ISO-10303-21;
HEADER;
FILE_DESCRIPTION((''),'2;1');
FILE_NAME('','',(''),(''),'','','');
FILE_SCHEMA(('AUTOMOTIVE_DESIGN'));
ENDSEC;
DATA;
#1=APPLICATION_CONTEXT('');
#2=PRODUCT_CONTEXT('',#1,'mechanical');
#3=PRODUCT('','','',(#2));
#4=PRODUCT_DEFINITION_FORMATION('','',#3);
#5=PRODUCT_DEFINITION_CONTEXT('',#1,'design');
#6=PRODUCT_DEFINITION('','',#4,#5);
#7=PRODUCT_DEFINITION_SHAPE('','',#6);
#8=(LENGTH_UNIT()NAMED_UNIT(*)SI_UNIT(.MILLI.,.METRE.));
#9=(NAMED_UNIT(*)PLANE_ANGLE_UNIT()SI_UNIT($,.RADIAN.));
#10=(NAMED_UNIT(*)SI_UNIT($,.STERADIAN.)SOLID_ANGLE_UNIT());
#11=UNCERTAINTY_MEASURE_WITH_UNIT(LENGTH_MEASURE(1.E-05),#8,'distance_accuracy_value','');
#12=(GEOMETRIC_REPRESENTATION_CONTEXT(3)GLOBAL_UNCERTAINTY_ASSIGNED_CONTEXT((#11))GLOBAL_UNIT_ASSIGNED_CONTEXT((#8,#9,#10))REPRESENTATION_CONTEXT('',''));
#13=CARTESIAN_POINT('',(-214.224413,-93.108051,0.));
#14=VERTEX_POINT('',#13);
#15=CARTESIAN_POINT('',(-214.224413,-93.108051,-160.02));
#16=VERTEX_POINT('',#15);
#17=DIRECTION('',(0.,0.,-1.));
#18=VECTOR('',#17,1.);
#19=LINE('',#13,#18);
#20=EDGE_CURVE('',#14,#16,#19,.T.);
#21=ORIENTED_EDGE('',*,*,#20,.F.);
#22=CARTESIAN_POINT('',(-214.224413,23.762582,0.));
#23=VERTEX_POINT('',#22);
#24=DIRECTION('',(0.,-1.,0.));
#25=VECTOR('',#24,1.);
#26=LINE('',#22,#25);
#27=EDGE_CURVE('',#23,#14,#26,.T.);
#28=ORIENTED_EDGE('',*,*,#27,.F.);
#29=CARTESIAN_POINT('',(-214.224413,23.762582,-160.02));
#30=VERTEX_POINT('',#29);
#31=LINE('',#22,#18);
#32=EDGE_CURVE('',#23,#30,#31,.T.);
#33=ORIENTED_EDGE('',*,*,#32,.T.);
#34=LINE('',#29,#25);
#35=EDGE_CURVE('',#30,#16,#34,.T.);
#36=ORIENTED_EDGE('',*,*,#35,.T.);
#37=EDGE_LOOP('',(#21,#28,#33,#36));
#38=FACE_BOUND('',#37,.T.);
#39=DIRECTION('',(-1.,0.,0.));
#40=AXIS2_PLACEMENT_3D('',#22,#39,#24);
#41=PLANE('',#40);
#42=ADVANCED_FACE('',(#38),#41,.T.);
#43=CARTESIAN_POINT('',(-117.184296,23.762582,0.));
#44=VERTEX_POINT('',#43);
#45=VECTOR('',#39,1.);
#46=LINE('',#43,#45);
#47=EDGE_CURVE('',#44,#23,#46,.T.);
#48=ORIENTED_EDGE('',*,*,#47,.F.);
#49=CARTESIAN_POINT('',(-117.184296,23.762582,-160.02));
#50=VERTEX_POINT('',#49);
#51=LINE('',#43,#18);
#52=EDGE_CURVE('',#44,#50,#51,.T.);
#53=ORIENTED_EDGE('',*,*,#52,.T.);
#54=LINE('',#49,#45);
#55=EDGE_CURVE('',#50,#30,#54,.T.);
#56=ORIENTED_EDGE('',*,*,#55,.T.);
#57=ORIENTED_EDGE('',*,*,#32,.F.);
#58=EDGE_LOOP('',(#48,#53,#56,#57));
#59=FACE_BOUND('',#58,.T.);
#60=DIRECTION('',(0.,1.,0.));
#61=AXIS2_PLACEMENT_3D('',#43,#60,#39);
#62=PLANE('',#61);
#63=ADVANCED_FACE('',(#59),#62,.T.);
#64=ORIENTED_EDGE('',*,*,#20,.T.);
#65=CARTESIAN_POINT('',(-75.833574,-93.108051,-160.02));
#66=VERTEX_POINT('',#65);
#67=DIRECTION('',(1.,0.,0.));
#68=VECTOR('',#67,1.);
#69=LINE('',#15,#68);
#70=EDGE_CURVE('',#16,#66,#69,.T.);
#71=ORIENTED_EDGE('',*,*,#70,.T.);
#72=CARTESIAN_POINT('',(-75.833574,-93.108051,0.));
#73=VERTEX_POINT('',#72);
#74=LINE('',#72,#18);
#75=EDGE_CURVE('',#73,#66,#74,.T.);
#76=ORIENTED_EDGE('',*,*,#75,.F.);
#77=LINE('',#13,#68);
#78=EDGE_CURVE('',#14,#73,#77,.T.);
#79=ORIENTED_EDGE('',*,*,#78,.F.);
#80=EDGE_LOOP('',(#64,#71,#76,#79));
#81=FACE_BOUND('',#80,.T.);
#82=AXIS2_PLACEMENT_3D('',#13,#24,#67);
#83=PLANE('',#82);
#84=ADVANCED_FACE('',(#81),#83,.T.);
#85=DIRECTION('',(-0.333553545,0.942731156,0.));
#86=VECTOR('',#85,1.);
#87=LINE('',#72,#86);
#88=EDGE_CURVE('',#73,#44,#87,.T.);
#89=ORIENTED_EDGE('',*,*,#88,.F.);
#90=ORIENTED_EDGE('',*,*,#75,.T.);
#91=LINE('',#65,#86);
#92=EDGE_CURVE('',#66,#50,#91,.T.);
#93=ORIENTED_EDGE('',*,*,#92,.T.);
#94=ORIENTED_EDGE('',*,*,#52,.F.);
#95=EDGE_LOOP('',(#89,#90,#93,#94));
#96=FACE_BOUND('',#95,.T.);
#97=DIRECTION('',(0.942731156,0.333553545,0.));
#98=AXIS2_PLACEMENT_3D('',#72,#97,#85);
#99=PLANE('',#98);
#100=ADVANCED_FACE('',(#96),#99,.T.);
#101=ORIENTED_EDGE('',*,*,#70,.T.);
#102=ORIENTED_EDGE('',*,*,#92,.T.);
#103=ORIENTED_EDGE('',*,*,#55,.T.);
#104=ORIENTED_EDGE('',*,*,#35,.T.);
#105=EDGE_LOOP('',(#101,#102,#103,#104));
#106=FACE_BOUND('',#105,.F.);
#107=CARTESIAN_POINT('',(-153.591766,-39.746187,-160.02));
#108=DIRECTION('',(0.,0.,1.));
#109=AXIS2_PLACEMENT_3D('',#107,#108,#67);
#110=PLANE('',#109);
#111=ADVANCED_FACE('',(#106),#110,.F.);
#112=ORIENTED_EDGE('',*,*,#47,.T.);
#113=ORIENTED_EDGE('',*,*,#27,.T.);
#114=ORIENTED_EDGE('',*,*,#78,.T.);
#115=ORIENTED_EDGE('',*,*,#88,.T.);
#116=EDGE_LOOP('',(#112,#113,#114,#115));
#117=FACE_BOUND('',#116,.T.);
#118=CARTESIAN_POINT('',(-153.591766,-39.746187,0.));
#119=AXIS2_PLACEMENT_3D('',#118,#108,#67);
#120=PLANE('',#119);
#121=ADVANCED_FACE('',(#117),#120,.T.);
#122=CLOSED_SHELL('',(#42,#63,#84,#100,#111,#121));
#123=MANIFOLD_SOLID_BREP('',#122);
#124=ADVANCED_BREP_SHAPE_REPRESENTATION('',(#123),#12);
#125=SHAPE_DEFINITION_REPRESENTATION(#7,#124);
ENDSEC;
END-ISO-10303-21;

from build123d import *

# Parameters (mm, degrees)
F1_DEPTH = 160.02


with BuildPart() as f1:
    # F0 (on Top) → F1 (new body)
    with BuildSketch(Plane.XY):
        Polygon((-214.224413, -93.108051), (-75.833574, -93.108051), (-117.184296, 23.762582), (-214.224413, 23.762582), align=None)
    extrude(amount=-F1_DEPTH)


solid = f1.part
